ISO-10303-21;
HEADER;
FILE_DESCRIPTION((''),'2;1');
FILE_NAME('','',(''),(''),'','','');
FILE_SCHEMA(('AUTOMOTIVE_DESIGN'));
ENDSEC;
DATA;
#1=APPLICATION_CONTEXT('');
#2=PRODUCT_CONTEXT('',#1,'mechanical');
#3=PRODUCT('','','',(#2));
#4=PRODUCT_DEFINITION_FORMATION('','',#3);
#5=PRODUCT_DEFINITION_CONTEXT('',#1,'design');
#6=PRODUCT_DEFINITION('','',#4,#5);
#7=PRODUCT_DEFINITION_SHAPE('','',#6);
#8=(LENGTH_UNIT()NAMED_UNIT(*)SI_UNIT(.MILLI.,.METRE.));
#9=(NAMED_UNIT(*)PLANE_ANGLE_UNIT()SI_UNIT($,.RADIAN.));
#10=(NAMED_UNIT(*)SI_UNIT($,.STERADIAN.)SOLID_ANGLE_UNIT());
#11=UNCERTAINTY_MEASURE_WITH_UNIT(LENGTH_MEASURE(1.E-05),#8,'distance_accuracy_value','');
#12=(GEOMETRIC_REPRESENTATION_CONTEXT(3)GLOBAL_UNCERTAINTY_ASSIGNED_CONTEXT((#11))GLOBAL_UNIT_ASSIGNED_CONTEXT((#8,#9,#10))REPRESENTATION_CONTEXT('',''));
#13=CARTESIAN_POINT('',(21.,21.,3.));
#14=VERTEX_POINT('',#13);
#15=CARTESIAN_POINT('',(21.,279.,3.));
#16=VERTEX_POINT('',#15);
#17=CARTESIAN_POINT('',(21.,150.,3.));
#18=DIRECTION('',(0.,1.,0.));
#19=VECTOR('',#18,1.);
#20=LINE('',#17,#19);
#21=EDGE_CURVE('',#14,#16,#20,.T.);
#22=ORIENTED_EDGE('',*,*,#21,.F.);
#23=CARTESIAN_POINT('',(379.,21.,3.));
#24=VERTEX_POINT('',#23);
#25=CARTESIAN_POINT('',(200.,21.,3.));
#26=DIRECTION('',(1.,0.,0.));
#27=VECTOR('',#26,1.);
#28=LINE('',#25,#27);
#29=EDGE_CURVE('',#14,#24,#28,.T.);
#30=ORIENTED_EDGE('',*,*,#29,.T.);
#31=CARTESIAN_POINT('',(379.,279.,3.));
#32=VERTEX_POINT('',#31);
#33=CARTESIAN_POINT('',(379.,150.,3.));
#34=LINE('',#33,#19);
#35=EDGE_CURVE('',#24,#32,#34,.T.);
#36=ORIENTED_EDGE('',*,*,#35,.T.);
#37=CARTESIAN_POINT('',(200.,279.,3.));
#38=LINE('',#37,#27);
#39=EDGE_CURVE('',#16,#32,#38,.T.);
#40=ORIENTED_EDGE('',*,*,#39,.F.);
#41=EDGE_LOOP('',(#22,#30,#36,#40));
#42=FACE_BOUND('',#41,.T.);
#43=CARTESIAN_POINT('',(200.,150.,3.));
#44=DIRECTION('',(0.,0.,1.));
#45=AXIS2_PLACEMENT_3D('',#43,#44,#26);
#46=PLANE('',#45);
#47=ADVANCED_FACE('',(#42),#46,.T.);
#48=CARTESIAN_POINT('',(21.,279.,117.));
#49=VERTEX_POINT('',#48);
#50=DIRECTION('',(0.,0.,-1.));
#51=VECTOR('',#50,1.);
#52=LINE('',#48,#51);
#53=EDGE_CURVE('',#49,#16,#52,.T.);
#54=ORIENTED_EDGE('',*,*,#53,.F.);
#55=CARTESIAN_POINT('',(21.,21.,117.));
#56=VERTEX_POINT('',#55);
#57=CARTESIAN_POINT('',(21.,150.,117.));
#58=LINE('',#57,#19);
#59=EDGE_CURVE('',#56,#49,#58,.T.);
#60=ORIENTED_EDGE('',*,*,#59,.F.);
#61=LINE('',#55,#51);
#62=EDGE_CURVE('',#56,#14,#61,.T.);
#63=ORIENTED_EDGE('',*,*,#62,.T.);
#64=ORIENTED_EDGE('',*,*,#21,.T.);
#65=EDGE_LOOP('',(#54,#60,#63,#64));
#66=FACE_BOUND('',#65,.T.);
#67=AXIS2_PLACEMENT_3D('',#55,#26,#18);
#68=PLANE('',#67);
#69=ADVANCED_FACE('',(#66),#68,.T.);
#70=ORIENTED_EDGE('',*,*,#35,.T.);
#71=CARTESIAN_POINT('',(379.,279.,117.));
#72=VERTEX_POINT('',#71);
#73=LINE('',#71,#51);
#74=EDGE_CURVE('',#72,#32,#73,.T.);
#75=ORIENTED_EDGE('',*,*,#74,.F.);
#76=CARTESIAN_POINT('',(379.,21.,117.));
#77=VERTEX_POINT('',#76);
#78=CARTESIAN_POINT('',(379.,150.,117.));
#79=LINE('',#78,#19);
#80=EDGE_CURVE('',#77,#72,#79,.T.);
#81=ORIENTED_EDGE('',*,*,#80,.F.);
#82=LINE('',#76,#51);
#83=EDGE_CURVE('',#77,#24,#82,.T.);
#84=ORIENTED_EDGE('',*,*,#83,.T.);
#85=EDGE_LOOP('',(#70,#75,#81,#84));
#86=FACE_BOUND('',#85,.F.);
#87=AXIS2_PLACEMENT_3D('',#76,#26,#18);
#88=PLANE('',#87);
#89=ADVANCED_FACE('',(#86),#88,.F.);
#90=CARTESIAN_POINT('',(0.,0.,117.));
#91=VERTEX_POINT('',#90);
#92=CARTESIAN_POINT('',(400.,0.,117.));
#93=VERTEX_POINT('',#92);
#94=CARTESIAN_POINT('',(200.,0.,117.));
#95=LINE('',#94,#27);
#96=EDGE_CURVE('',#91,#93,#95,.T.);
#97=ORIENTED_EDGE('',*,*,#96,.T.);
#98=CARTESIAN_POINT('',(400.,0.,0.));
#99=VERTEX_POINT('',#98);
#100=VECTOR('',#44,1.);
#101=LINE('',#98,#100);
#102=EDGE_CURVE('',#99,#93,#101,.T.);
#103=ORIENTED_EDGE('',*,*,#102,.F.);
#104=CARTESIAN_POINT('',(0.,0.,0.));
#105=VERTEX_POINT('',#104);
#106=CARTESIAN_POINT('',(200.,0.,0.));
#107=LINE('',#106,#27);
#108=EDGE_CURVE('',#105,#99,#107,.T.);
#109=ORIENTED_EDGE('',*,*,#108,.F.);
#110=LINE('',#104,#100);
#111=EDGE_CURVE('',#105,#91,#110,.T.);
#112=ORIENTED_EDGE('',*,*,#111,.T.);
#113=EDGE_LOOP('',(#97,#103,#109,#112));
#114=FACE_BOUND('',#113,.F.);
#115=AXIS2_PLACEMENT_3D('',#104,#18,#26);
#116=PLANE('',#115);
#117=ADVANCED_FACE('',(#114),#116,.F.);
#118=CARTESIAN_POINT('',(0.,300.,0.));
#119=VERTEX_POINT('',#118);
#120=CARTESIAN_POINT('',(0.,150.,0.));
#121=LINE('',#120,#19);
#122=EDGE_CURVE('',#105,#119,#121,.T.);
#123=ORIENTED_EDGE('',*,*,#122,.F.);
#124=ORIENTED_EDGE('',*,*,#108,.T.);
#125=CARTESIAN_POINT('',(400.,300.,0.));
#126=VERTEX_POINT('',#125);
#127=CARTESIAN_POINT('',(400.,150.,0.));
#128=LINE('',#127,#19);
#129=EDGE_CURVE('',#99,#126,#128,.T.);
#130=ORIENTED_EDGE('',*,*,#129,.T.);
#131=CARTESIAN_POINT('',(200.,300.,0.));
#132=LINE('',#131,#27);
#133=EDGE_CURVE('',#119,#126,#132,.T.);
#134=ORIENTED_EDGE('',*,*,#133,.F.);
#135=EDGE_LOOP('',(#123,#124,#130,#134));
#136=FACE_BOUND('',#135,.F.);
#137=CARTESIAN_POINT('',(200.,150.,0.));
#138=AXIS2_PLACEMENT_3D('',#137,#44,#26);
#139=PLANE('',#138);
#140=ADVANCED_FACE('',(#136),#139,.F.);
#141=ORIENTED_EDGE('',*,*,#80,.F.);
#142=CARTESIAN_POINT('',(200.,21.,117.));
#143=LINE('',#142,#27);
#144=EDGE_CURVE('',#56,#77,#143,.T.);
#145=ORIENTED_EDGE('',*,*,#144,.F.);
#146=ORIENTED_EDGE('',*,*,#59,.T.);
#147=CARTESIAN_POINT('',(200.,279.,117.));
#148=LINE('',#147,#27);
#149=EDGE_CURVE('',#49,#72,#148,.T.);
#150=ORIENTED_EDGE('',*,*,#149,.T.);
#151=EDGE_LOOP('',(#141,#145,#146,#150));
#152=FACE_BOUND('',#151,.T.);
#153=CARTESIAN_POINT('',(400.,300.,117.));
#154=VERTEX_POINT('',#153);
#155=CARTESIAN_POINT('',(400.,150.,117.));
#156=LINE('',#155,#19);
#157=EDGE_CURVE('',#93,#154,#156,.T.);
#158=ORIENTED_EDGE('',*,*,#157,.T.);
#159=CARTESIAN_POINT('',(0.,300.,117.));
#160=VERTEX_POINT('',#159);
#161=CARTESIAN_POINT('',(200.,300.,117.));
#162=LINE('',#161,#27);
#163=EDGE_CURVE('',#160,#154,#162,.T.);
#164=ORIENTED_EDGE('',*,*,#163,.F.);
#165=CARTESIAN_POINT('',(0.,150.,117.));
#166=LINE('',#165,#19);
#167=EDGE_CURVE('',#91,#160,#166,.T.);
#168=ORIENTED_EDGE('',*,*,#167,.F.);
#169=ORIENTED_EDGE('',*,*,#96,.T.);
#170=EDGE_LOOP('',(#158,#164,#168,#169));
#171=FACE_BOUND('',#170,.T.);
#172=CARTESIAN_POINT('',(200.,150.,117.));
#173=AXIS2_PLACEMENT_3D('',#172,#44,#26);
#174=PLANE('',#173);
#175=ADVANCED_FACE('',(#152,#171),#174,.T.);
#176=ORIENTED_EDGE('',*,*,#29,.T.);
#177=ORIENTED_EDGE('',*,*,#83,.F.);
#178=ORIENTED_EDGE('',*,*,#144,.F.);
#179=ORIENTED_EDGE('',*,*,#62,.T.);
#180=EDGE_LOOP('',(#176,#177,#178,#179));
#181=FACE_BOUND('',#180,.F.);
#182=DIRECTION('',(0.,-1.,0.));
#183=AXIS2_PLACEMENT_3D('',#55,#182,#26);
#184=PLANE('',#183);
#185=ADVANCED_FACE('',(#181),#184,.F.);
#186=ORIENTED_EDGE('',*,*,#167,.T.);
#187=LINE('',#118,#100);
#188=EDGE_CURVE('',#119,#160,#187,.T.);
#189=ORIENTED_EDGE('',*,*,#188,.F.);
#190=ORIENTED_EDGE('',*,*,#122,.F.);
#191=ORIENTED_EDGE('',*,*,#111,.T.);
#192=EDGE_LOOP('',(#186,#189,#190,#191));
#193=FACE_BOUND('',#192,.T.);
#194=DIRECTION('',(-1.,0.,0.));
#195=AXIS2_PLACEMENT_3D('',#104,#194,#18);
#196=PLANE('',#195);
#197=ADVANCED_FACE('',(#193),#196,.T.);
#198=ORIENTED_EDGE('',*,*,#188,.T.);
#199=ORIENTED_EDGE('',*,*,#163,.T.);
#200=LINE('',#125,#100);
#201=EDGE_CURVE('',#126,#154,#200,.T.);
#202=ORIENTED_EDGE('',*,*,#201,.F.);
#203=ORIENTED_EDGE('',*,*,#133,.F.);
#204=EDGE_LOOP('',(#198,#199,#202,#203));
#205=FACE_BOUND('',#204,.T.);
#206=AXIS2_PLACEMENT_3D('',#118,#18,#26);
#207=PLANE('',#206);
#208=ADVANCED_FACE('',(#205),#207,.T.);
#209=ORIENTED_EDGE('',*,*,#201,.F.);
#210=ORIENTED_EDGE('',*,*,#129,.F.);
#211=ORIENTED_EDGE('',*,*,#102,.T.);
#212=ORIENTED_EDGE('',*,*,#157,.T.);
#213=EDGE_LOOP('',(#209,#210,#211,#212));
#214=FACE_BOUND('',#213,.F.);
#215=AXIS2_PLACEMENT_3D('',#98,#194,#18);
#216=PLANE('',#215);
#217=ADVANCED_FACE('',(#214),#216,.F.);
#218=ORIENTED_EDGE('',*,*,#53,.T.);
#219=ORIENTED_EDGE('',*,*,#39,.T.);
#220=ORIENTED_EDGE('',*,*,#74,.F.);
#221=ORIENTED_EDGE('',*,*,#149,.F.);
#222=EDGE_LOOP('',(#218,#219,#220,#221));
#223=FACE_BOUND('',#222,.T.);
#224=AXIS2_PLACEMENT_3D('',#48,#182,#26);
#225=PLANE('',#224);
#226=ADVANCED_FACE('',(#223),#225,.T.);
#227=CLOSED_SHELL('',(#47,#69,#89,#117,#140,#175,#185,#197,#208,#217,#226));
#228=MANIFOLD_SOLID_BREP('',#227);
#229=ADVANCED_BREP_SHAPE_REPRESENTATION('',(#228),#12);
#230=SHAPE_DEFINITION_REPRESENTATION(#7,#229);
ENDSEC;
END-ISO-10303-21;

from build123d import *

# Parameters (mm, degrees)
SKETCH_W     = 400
SKETCH_H     = 300
PAD_DEPTH    = 117
SKETCH001_W  = 358
SKETCH001_H  = 258
POCKET_DEPTH = 114


with BuildPart() as part:
    # Sketch → Pad (new body)
    with BuildSketch(Plane.XY):
        with Locations((200, 150)):
            Rectangle(SKETCH_W, SKETCH_H)
    extrude(amount=PAD_DEPTH)

    # Sketch001 (on Face6 of Pad) → Pocket (cut)
    with BuildSketch(Plane.XY.offset(117)):
        with Locations((200, 150)):
            Rectangle(SKETCH001_W, SKETCH001_H)
    extrude(amount=-POCKET_DEPTH, mode=Mode.SUBTRACT)


solid = part.part
